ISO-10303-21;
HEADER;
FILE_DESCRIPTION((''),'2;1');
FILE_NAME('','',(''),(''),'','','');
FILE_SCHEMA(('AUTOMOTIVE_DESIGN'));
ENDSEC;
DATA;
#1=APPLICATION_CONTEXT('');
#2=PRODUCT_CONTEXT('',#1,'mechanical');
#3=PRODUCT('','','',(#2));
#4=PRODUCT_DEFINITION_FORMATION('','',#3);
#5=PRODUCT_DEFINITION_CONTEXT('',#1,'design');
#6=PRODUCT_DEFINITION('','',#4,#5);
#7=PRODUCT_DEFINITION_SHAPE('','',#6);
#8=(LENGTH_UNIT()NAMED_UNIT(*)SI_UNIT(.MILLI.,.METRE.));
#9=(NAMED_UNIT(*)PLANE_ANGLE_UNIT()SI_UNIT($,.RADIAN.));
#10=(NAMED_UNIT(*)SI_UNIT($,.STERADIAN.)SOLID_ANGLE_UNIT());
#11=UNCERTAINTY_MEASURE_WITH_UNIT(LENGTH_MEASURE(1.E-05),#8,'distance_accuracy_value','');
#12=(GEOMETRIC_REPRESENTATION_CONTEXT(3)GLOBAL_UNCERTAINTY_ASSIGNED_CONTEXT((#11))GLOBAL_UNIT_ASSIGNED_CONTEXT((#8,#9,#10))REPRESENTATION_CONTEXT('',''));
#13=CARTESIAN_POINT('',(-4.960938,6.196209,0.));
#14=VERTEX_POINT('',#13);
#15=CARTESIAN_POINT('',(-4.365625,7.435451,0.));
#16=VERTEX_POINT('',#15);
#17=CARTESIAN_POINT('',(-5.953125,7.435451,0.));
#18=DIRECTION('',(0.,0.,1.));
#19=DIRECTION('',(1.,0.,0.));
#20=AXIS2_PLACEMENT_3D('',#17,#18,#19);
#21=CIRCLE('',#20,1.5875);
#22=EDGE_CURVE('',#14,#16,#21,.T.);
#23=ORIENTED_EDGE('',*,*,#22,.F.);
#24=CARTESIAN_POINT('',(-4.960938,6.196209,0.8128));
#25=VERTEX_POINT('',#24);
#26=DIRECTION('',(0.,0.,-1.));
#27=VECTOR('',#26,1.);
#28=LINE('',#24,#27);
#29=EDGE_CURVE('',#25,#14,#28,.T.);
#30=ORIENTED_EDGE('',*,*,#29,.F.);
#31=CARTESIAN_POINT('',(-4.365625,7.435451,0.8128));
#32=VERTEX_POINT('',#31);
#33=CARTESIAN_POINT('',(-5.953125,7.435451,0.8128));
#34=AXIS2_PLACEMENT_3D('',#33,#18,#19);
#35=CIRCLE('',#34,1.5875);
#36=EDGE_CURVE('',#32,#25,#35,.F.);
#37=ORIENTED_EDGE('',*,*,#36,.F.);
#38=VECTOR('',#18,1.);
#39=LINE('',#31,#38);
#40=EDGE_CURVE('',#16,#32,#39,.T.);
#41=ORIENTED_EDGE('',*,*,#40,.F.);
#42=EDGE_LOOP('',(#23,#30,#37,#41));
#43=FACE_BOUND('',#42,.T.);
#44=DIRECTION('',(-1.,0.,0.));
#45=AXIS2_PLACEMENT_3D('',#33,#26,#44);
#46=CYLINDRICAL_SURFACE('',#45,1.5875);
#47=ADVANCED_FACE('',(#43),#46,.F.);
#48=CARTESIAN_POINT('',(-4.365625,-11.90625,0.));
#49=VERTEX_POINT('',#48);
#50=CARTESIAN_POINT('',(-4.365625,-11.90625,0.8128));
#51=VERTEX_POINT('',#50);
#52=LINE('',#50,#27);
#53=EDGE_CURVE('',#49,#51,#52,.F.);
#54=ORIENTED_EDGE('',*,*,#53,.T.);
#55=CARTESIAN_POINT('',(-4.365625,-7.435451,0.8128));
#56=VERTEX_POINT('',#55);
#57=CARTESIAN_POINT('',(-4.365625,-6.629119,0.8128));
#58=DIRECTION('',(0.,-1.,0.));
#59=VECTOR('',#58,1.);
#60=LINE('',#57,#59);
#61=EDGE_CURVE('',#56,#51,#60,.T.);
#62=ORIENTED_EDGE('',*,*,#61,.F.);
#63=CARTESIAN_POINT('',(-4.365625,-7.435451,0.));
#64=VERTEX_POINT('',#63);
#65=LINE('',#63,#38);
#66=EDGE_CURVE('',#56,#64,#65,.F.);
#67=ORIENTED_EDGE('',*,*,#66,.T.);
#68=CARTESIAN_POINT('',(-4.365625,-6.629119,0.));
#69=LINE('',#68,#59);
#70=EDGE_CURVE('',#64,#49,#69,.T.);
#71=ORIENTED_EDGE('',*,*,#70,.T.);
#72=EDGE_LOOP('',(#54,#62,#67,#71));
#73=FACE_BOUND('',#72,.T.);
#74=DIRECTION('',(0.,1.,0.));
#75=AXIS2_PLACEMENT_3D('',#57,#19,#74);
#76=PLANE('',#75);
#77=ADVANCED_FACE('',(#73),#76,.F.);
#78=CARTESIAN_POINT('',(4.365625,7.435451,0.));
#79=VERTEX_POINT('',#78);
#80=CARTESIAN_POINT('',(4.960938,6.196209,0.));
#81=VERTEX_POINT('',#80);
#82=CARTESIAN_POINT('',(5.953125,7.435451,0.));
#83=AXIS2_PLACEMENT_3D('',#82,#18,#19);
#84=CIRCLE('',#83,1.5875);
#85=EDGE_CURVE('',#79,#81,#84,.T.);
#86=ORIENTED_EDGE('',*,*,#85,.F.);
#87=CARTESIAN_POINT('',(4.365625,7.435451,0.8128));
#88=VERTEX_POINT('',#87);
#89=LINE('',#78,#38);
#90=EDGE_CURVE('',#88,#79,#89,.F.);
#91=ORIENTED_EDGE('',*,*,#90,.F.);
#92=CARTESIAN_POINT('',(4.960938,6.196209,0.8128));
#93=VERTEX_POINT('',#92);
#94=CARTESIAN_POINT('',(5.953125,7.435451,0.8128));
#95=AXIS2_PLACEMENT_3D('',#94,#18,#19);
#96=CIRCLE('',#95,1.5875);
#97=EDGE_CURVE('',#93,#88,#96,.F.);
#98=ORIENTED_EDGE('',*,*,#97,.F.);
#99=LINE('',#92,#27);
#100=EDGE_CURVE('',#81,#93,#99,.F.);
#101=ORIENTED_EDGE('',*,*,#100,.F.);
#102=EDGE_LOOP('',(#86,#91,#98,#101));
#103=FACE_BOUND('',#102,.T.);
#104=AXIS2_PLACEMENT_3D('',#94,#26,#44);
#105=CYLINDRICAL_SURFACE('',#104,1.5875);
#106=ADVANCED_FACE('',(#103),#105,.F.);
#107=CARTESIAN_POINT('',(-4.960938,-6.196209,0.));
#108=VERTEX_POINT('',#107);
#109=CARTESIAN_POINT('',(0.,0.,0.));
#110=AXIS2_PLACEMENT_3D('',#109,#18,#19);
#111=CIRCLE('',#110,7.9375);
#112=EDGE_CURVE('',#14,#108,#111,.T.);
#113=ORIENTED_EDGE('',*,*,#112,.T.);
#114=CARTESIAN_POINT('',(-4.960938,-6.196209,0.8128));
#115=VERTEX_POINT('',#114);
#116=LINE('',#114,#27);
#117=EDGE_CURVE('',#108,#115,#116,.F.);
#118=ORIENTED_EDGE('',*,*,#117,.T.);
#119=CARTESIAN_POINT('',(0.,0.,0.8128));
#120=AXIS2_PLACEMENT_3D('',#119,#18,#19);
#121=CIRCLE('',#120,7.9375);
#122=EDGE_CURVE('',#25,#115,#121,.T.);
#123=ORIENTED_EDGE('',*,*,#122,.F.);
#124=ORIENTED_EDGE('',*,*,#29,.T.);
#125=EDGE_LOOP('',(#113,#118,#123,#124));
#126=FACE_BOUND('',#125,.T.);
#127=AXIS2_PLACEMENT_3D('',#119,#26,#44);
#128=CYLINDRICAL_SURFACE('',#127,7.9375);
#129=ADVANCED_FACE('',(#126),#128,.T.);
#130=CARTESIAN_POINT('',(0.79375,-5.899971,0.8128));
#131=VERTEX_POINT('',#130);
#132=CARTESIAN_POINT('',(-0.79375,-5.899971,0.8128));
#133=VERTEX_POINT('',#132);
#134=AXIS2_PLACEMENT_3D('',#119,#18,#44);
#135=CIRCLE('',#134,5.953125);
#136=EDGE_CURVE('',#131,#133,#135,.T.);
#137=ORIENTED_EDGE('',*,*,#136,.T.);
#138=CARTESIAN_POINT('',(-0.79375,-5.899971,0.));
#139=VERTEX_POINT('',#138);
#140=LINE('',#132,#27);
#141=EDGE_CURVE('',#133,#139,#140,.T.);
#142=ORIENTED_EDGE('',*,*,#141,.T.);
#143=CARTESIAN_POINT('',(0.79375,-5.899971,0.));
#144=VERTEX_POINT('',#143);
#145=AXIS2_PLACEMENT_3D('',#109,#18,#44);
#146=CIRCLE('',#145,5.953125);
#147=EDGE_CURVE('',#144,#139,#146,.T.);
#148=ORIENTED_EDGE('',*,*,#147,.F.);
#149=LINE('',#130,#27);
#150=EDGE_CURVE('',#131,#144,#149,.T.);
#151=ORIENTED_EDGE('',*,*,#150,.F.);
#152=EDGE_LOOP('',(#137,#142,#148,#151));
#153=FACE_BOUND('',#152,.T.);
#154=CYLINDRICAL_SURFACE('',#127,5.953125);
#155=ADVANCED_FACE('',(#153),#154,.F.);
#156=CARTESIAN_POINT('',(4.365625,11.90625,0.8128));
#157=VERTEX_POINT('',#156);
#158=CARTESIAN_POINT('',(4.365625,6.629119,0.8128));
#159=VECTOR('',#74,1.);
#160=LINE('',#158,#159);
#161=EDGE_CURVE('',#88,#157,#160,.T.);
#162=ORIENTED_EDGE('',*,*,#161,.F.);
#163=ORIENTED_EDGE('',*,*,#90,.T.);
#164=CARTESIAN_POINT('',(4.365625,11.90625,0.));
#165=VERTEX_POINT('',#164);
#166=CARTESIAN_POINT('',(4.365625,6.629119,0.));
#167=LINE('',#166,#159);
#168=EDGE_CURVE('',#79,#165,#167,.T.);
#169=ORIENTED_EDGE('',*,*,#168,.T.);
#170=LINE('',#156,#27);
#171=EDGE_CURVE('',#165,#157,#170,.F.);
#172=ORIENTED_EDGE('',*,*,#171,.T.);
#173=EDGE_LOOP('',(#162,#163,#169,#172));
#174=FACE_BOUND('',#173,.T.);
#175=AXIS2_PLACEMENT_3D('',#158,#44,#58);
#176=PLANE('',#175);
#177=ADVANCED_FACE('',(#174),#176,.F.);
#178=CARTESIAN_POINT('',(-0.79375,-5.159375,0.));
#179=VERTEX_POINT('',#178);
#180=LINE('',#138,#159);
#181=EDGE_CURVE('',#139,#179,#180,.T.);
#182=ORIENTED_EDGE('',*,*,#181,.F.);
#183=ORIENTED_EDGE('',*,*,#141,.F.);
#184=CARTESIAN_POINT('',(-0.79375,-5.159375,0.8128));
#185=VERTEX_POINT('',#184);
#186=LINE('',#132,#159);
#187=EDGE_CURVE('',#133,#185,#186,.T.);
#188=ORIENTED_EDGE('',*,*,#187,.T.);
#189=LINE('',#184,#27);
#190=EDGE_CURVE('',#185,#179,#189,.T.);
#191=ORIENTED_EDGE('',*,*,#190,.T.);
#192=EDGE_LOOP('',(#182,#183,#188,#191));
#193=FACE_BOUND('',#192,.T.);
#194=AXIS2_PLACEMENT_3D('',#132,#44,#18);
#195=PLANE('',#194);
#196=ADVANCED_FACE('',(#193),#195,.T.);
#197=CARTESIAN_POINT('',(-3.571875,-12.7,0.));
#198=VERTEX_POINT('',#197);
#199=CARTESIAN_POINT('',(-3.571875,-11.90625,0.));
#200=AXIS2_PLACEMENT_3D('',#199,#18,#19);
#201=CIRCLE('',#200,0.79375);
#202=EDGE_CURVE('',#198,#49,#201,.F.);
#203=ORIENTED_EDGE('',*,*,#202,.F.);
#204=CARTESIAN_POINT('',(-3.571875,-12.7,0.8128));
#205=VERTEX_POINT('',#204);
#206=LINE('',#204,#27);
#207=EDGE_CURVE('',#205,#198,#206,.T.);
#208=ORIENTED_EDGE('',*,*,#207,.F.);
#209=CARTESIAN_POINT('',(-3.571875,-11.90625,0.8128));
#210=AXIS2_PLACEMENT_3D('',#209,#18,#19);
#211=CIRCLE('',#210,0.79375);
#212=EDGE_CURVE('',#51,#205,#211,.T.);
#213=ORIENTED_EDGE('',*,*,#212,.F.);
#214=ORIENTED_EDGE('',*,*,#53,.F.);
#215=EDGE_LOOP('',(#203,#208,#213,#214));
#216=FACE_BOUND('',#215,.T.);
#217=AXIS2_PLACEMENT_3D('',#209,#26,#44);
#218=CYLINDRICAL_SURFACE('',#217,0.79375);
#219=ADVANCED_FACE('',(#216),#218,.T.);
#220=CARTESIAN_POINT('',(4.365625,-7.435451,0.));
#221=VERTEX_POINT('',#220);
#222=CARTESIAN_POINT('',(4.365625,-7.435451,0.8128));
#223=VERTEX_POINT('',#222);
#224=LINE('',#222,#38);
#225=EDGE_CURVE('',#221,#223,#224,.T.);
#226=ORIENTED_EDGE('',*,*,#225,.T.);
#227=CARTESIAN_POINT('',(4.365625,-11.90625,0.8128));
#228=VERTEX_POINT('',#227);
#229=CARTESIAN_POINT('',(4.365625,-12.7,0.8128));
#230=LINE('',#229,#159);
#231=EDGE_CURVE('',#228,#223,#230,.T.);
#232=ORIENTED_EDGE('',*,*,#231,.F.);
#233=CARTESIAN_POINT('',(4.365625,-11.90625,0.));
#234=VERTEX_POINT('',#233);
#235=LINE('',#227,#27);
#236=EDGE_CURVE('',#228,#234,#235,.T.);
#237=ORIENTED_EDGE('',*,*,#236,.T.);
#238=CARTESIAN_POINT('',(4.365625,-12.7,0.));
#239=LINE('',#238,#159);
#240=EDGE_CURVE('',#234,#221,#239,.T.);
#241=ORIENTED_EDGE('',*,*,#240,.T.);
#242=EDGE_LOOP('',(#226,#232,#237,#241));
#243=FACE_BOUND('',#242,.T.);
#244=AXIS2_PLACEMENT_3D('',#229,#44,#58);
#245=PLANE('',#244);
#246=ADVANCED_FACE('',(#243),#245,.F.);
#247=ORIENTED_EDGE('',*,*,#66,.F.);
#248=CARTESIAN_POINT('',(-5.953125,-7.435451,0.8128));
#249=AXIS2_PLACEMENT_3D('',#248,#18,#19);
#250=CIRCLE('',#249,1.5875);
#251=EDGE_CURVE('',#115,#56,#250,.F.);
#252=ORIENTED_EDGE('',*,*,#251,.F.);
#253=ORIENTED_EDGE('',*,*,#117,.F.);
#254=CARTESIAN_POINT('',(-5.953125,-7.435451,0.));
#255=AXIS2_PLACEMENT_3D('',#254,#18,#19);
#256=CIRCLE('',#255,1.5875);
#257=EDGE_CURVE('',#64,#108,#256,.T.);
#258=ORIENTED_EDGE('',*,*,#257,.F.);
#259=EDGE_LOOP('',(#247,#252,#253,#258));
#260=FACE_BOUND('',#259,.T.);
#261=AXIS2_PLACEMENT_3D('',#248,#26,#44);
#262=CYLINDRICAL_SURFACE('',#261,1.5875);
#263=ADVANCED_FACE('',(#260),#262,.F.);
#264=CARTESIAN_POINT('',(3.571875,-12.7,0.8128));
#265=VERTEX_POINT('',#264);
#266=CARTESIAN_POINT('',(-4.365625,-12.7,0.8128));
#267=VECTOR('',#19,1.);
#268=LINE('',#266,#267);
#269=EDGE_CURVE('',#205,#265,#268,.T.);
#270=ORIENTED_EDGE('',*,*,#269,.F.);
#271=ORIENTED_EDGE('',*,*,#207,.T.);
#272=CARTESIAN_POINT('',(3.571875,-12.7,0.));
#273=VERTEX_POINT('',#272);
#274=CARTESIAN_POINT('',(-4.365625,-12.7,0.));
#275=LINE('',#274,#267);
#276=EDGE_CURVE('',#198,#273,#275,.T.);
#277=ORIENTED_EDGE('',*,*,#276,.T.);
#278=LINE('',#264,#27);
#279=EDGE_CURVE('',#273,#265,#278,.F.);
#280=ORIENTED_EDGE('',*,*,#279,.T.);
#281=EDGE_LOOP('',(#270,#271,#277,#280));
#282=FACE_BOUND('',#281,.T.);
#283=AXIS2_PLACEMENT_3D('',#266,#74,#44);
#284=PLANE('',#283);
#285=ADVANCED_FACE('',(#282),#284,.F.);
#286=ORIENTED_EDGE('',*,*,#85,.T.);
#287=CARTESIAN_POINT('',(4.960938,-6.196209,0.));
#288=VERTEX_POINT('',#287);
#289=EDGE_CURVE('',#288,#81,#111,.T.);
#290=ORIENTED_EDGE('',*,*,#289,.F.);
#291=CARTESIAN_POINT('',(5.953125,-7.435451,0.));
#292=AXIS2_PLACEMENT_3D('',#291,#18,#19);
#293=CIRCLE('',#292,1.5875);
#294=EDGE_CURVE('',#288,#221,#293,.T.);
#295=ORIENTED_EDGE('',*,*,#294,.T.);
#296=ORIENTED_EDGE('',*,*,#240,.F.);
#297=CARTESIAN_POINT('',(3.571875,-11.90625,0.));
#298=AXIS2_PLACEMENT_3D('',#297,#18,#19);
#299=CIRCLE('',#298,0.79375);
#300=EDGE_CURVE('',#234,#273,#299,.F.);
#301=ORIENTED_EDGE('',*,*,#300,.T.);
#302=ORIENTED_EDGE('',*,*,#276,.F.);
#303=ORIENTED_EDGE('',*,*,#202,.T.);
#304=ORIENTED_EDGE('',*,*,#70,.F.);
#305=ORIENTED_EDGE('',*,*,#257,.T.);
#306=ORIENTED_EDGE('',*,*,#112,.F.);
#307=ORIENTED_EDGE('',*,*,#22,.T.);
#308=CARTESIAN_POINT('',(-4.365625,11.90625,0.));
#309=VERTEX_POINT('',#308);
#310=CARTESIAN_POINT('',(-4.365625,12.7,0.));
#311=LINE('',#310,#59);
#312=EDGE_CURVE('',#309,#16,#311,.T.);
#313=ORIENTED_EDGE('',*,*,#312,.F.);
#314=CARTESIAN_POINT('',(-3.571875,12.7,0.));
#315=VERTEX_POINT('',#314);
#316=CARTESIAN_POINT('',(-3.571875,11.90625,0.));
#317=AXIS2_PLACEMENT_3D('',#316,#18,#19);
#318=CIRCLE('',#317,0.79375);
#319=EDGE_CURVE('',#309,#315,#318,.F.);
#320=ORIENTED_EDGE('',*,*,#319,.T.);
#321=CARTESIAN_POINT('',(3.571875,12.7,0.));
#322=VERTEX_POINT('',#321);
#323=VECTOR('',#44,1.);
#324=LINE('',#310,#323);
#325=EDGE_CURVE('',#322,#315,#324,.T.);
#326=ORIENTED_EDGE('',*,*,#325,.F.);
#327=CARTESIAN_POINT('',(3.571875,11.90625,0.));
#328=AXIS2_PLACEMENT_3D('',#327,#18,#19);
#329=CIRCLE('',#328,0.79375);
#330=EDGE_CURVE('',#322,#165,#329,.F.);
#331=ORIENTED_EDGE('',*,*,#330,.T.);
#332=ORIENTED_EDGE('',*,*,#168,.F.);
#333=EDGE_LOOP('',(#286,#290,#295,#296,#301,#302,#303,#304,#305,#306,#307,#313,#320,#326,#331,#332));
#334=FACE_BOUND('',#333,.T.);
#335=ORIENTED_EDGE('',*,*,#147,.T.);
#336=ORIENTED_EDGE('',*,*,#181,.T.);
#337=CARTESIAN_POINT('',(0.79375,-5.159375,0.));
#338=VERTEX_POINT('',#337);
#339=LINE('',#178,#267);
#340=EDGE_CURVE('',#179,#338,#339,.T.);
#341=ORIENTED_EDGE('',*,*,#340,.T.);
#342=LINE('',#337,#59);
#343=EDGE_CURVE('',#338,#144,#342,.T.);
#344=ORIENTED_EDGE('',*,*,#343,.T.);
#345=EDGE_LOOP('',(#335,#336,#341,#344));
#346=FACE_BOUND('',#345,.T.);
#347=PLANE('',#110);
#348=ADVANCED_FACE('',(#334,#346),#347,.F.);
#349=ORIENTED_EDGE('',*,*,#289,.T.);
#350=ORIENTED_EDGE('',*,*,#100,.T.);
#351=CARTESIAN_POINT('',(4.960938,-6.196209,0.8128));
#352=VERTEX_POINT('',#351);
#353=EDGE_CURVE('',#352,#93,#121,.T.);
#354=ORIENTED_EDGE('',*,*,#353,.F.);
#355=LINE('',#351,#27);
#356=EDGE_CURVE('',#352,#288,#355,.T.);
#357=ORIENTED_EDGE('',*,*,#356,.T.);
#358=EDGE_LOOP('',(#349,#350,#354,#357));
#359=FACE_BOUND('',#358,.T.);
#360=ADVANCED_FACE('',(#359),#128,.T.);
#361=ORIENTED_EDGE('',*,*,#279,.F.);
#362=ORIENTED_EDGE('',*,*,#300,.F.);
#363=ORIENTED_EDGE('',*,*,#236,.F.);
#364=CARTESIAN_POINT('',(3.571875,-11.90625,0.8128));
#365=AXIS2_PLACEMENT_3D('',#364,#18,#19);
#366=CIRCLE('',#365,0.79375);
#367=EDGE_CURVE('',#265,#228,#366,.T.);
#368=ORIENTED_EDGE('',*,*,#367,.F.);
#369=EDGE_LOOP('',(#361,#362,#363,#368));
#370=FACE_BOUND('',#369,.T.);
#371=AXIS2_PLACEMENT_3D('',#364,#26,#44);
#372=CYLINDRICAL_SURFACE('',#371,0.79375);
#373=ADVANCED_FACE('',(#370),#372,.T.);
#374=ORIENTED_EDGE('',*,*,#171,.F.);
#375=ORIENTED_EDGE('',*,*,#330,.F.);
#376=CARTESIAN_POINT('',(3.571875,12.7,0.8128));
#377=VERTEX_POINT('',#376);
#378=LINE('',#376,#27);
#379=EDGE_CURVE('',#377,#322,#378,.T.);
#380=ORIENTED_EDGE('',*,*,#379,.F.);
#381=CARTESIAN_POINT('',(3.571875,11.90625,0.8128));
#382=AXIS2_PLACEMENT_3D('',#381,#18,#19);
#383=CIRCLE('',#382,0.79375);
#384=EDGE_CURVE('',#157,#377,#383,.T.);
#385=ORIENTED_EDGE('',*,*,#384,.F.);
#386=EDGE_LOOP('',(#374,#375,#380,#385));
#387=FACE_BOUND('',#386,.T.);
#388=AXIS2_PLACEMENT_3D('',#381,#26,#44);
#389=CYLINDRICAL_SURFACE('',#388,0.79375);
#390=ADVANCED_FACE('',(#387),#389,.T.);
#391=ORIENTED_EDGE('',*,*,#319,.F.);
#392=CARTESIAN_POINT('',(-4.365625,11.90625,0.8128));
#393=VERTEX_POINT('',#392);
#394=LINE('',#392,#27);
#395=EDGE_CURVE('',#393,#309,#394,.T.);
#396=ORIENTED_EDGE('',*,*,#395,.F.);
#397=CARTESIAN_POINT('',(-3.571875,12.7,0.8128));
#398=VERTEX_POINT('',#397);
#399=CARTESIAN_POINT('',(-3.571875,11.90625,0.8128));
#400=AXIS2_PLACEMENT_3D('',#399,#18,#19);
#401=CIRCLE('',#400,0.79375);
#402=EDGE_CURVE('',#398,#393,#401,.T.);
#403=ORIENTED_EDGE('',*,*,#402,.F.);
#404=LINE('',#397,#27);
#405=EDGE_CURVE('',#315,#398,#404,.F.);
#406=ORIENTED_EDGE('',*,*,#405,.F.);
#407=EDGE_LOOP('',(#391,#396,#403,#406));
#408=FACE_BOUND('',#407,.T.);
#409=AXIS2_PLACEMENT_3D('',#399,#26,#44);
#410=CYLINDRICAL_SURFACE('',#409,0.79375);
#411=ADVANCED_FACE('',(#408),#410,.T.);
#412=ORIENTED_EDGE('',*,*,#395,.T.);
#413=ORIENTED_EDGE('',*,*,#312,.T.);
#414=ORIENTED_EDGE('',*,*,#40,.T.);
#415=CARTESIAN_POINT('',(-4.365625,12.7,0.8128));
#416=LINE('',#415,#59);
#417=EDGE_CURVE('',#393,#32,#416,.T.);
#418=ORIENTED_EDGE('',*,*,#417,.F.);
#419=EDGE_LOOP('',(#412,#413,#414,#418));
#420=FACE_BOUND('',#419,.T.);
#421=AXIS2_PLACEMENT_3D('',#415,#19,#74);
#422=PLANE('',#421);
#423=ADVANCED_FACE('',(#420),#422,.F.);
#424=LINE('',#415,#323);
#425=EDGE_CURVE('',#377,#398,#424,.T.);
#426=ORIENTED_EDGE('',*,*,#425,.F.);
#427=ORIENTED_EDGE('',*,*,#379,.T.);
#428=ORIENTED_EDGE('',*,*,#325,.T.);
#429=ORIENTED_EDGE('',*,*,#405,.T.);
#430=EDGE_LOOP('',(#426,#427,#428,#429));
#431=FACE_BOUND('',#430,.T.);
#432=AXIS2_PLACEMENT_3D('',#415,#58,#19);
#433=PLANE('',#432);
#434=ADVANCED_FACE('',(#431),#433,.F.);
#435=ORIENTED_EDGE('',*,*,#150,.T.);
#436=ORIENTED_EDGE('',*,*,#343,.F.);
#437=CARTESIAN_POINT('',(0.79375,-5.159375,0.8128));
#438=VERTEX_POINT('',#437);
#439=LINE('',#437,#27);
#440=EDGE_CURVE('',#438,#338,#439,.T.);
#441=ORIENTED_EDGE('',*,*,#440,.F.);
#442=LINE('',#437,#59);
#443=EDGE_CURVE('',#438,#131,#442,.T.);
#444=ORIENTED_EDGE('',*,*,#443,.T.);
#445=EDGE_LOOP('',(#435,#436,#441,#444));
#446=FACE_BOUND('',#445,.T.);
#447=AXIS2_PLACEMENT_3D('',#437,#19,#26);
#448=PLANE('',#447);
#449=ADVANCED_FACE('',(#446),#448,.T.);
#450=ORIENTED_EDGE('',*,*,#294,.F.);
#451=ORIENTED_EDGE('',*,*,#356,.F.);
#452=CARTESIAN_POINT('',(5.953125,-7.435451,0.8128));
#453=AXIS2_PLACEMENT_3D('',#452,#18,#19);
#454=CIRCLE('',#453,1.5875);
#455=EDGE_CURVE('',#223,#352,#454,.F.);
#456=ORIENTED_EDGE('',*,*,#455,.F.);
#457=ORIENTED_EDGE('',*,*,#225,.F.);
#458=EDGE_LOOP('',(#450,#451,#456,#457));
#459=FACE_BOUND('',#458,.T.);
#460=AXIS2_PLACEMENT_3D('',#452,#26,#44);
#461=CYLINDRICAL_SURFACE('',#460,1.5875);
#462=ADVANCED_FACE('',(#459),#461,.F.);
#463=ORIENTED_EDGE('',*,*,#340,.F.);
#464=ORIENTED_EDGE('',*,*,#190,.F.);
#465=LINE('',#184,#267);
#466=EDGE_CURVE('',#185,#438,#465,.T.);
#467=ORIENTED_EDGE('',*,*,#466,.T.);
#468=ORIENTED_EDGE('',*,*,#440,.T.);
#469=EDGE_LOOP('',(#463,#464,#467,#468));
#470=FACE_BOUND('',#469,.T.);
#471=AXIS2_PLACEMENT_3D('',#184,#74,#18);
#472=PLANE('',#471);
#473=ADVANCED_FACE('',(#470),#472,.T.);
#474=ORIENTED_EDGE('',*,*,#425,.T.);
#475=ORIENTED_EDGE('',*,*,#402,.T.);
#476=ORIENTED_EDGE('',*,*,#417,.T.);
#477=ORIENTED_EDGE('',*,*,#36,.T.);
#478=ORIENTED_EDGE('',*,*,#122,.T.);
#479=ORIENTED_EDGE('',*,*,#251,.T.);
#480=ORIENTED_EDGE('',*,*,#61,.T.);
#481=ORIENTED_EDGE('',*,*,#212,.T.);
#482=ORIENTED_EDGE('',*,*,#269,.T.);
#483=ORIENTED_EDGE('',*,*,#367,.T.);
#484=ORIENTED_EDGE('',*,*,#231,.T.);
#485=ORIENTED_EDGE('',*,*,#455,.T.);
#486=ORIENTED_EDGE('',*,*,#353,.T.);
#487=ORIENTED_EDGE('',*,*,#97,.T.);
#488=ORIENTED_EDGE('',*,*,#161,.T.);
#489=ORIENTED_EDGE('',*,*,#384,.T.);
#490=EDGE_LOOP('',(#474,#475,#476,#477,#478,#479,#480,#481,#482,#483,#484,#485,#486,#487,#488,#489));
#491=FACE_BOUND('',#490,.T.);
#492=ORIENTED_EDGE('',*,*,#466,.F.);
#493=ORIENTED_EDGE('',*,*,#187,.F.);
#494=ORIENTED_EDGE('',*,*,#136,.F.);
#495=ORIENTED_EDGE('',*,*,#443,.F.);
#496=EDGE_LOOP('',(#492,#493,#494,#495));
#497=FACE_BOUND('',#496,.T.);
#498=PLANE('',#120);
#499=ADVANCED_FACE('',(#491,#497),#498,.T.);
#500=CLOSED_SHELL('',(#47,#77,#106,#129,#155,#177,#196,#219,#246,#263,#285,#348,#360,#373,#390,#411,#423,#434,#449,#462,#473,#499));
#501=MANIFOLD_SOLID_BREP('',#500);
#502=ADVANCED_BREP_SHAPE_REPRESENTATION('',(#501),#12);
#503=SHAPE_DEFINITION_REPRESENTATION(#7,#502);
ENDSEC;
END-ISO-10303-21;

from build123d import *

# Parameters (mm, degrees)
BOSS_EXTRUDE1_DEPTH = 0.8128
FILLET1_R           = 0.79375
FILLET2_R           = 1.5875


with BuildPart() as part:
    # Sketch1 → Boss-Extrude1 (new body)
    with BuildSketch(Plane.XY):
        with BuildLine():
            Line((-4.365625, 12.7), (4.365625, 12.7))
            Line((4.365625, 12.7), (4.365625, 6.629119444))
            ThreePointArc((4.365625, 6.629119444), (7.9375, 0), (4.365625, -6.629119444))
            Line((4.365625, -6.629119444), (4.365625, -12.7))
            Line((4.365625, -12.7), (-4.365625, -12.7))
            Line((-4.365625, -12.7), (-4.365625, -6.629119444))
            ThreePointArc((-4.365625, -6.629119444), (-7.9375, 0), (-4.365625, 6.629119444))
            Line((-4.365625, 6.629119444), (-4.365625, 12.7))
        make_face()
        with BuildLine():
            Line((-0.79375, -5.899971034), (-0.79375, -5.159375))
            Line((-0.79375, -5.159375), (0.79375, -5.159375))
            Line((0.79375, -5.159375), (0.79375, -5.899971034))
            ThreePointArc((0.79375, -5.899971034), (0, 5.953125), (-0.79375, -5.899971034))
        make_face(mode=Mode.SUBTRACT)
    extrude(amount=BOSS_EXTRUDE1_DEPTH)

    # Fillet1
    fillet1_edges = [part.edges().sort_by_distance(p)[0] for p in [
        (-4.365625, 12.7, 0.4064),
        (4.365625, 12.7, 0.4064),
        (4.365625, -12.7, 0.4064),
        (-4.365625, -12.7, 0.4064),
    ]]
    fillet(fillet1_edges, radius=FILLET1_R)

    # Fillet2
    fillet2_edges = [part.edges().sort_by_distance(p)[0] for p in [
        (4.365625, 6.629119444, 0.4064),
        (4.365625, -6.629119444, 0.4064),
        (-4.365625, -6.629119444, 0.4064),
        (-4.365625, 6.629119444, 0.4064),
    ]]
    fillet(fillet2_edges, radius=FILLET2_R)


solid = part.part
